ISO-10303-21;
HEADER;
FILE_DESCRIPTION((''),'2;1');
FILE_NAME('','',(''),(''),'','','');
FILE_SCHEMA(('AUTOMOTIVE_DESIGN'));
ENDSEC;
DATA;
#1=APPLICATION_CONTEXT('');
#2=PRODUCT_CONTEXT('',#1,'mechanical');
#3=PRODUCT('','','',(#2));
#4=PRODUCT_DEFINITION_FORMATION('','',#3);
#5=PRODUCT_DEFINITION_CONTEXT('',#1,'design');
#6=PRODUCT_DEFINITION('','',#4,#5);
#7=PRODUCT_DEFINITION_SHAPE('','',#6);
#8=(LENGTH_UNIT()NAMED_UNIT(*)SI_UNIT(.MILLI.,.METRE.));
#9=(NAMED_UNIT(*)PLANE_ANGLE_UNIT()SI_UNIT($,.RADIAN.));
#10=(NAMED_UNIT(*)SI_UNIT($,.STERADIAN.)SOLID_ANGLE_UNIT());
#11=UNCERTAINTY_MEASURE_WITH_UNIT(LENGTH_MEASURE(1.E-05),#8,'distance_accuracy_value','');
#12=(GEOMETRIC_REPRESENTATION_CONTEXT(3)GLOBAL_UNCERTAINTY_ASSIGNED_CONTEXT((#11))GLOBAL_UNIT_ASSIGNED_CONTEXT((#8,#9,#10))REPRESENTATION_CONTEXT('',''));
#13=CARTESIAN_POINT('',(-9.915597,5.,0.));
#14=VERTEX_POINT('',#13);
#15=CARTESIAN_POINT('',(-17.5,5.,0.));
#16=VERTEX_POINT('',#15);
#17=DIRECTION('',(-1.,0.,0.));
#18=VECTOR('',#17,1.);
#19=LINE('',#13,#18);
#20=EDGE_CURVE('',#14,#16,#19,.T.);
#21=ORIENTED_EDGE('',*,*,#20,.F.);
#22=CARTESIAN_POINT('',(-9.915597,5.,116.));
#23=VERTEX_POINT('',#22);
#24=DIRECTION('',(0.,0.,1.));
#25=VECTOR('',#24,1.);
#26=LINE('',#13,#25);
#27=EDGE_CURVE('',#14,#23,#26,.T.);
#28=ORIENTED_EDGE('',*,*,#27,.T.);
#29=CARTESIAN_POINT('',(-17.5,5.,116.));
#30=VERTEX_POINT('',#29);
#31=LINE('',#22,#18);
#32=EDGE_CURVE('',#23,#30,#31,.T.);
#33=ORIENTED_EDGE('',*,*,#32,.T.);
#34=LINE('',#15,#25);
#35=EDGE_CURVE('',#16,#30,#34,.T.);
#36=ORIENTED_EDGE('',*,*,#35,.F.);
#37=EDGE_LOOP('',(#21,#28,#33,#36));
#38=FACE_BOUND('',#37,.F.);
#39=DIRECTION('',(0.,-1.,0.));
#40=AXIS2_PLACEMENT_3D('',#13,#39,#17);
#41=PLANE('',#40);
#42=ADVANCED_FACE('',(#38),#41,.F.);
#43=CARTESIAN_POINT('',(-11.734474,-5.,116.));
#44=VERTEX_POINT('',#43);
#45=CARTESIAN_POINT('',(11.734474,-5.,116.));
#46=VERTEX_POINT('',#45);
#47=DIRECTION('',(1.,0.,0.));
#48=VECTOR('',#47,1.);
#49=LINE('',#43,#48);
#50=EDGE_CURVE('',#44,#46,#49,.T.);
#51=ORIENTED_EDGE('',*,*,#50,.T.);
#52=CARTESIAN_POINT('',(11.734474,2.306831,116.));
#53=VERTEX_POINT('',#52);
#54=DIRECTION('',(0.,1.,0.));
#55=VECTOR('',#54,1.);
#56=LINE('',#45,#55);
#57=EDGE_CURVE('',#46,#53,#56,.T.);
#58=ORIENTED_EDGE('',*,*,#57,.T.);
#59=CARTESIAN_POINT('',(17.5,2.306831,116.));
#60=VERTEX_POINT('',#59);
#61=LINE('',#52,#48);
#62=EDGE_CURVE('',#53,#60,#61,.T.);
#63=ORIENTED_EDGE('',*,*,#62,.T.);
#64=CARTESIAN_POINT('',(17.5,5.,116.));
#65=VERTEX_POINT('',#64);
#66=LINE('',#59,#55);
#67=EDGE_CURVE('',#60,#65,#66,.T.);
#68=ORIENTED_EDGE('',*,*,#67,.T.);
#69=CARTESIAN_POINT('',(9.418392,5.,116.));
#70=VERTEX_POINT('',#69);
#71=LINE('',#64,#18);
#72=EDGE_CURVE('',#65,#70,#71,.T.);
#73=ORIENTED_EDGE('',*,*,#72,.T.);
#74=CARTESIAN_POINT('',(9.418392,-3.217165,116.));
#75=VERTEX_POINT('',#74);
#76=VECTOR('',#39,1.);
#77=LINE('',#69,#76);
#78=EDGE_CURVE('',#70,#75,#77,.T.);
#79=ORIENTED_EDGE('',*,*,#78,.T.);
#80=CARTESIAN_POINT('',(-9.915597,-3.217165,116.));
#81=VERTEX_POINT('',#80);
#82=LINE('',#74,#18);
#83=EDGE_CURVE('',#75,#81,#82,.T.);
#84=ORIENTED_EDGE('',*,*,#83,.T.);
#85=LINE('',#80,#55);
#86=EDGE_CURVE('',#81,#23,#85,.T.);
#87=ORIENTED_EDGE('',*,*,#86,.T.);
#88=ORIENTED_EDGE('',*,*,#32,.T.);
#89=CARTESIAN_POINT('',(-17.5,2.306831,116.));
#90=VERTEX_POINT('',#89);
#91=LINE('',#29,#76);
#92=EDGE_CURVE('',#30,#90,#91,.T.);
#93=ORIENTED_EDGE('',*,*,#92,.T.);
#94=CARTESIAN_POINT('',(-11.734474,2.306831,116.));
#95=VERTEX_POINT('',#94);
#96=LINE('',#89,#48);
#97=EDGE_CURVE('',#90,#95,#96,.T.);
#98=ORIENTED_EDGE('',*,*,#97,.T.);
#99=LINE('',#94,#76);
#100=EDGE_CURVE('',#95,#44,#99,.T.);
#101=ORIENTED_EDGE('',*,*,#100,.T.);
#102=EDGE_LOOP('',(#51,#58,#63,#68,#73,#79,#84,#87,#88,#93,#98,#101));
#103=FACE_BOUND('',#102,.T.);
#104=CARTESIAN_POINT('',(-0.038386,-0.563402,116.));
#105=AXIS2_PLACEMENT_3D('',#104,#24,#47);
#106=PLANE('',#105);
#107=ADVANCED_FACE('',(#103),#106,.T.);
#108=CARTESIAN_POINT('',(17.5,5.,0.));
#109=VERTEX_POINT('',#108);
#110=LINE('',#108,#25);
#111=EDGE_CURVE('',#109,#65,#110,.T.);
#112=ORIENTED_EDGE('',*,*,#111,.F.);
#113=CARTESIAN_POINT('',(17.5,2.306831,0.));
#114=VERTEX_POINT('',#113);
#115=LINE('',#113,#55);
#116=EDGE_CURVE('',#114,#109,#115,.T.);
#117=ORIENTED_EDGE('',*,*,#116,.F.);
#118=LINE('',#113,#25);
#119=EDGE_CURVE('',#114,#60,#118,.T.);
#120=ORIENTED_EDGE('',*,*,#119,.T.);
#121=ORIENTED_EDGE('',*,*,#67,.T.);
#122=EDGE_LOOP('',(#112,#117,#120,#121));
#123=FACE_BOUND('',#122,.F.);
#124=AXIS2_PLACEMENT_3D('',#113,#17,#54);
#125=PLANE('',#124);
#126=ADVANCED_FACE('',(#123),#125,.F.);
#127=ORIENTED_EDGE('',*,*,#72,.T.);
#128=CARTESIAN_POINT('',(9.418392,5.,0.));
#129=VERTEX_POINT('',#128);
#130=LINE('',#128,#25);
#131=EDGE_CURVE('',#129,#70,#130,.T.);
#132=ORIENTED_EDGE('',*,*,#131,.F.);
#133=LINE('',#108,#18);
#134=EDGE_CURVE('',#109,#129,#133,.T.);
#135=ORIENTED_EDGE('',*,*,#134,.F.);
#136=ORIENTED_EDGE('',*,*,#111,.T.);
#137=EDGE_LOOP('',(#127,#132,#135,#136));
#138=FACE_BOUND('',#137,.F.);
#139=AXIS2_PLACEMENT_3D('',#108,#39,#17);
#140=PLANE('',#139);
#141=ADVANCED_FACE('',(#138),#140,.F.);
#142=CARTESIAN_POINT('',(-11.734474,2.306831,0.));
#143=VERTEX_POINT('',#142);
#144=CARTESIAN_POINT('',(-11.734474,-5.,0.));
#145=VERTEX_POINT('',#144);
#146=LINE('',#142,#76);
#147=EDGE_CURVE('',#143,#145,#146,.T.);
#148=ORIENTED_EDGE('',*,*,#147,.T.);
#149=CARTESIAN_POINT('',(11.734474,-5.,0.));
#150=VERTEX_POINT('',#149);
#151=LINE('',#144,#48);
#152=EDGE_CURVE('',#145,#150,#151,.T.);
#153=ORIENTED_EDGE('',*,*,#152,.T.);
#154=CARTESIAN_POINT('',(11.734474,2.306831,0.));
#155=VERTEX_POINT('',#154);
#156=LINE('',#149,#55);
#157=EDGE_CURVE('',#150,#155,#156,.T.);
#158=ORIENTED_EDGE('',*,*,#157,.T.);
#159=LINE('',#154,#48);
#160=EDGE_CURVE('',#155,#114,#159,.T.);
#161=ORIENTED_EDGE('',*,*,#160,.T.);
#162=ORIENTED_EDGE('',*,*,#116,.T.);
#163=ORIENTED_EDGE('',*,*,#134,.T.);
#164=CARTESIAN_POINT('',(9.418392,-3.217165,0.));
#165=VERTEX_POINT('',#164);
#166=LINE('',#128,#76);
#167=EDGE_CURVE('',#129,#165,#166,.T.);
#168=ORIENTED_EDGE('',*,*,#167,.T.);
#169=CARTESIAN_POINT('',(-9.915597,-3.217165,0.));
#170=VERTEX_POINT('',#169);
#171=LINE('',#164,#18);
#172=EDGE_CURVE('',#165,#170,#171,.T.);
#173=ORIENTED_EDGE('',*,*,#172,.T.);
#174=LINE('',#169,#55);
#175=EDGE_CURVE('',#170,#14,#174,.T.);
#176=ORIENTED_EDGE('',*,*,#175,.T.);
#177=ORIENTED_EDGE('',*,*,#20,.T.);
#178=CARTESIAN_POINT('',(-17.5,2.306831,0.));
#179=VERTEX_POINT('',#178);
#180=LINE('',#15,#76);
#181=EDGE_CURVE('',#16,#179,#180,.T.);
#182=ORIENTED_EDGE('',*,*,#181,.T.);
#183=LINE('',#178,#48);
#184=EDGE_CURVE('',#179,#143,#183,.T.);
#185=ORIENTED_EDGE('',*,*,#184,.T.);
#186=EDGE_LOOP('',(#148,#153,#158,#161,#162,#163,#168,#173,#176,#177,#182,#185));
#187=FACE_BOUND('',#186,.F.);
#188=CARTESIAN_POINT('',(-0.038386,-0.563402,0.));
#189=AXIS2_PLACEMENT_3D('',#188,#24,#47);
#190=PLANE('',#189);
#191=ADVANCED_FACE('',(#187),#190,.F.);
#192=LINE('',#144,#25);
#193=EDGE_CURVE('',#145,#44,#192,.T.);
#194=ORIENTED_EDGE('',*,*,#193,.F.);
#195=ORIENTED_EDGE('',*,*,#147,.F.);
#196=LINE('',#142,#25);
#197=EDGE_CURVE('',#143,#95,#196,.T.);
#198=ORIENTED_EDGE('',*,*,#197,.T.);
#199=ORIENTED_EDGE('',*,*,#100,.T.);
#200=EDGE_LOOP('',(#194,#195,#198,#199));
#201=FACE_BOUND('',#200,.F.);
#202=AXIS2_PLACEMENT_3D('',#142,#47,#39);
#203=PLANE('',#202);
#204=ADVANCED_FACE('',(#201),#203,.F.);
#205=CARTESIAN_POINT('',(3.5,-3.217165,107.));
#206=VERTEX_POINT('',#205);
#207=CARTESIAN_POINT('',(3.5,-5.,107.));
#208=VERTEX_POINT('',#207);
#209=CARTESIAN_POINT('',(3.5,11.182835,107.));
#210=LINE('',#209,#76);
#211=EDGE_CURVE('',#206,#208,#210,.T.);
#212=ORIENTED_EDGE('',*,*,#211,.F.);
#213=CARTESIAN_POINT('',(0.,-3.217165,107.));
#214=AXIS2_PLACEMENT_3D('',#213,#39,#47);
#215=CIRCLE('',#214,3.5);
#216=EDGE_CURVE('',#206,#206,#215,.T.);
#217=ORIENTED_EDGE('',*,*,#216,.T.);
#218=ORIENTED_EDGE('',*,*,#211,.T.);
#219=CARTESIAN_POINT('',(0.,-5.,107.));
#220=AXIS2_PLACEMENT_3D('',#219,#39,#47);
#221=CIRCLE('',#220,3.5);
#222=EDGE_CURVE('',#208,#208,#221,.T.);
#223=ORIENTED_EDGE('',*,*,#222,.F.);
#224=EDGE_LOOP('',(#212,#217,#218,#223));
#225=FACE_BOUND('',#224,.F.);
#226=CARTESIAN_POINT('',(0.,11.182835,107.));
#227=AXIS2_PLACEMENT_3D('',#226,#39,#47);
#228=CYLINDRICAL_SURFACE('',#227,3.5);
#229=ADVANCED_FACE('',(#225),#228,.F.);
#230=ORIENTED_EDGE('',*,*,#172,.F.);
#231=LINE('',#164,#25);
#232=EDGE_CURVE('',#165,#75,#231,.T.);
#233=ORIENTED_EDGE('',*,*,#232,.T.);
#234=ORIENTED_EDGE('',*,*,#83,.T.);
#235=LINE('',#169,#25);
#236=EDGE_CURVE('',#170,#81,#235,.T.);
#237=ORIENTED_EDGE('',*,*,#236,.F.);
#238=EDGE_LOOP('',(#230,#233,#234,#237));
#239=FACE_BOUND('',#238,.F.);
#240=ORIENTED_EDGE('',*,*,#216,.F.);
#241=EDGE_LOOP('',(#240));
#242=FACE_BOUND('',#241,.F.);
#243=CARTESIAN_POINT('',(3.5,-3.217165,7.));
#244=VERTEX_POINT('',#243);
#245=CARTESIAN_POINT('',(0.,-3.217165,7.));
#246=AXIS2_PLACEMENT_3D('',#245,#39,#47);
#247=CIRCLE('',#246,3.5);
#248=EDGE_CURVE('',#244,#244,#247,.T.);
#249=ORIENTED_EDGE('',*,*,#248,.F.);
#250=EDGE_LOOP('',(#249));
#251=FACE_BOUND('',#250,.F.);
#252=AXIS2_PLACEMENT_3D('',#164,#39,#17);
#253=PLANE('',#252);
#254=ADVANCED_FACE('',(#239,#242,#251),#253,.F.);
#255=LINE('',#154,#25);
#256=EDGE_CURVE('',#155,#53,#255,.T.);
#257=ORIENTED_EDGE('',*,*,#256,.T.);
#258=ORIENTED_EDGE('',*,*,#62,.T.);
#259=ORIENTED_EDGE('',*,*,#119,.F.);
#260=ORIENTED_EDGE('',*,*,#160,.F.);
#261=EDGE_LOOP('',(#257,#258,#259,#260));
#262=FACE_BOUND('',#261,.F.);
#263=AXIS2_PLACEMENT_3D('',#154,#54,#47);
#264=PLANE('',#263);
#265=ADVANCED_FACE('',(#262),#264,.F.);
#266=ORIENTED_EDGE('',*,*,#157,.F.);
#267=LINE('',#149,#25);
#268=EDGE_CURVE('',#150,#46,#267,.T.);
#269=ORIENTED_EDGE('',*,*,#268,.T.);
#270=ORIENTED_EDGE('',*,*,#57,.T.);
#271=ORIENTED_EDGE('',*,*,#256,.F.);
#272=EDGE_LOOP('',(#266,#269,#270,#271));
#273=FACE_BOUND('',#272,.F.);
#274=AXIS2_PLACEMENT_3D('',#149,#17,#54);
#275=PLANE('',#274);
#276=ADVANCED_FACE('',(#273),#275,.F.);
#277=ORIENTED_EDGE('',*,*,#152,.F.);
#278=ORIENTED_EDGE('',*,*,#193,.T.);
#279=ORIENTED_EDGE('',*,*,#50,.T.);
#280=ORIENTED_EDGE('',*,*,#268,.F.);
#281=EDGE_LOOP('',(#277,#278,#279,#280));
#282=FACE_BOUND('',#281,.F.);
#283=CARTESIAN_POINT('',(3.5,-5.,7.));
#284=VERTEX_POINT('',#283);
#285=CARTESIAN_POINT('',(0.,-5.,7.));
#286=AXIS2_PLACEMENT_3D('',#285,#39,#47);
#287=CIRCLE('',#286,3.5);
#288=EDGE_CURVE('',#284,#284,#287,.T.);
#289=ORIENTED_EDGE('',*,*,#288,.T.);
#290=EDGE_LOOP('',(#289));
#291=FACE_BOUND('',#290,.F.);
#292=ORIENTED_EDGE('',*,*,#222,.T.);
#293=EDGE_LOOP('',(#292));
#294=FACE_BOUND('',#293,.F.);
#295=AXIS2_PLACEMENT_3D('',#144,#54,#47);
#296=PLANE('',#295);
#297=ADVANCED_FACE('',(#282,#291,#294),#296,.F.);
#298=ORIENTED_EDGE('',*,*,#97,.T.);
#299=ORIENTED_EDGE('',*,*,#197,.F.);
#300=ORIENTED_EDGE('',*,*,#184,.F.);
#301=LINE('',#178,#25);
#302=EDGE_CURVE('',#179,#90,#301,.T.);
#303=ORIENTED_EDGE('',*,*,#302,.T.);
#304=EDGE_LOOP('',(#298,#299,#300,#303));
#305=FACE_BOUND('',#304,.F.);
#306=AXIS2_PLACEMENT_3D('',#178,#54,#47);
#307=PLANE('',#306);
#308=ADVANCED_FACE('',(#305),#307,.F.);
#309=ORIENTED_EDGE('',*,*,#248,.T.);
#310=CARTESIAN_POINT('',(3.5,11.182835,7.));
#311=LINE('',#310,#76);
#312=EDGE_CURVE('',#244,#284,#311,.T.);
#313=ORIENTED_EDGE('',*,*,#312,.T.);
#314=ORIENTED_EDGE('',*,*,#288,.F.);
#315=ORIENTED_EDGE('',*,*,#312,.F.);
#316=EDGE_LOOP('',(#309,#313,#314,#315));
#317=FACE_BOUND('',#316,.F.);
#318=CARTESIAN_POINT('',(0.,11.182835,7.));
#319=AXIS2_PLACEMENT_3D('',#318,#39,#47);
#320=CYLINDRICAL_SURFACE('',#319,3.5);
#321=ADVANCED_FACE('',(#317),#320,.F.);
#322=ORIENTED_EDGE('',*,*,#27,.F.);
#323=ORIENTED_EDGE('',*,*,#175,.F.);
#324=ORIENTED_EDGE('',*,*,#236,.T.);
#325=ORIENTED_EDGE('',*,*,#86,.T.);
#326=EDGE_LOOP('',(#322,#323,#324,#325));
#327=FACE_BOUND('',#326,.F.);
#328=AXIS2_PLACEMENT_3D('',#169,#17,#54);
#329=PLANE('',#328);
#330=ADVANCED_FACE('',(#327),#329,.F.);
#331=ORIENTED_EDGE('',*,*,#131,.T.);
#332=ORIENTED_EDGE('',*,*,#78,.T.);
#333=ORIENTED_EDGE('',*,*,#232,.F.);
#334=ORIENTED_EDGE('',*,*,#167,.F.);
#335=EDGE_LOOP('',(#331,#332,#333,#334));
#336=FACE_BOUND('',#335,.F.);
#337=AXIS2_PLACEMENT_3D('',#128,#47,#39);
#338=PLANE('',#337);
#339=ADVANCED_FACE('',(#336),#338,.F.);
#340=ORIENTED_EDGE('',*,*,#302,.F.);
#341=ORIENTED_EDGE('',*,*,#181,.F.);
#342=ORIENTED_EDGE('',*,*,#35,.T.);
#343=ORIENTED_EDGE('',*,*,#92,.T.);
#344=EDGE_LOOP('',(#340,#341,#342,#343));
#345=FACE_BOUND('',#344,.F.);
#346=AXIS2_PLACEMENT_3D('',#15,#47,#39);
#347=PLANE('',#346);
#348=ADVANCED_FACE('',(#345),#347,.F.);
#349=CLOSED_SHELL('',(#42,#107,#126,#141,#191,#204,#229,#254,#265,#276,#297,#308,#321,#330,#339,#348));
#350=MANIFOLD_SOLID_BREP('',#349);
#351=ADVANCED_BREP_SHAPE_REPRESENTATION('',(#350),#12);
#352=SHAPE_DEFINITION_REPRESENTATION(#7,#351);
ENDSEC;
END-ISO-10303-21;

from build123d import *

# Parameters (mm, degrees)
F1_DEPTH = 116
F3_D     = 7
F3_DEPTH = 14.4


with BuildPart() as f1:
    # F0 (on Top) → F1 (new body)
    with BuildSketch(Plane.XY):
        Polygon((-9.915597, 5), (-17.5, 5), (-17.5, 2.306831), (-11.734474, 2.306831), (-11.734474, -5), (11.734474, -5), (11.734474, 2.306831), (17.5, 2.306831), (17.5, 5), (9.418392, 5), (9.418392, -3.217165), (-9.915597, -3.217165), align=None)
    extrude(amount=F1_DEPTH)

    # F3
    with Locations(Plane(origin=(0, -3.217165, 0), x_dir=(-1, 0, 0), z_dir=(0, 1, 0))):
        with Locations((0, 107), (0, 7)):
            Hole(F3_D / 2, depth=F3_DEPTH)


solid = f1.part
